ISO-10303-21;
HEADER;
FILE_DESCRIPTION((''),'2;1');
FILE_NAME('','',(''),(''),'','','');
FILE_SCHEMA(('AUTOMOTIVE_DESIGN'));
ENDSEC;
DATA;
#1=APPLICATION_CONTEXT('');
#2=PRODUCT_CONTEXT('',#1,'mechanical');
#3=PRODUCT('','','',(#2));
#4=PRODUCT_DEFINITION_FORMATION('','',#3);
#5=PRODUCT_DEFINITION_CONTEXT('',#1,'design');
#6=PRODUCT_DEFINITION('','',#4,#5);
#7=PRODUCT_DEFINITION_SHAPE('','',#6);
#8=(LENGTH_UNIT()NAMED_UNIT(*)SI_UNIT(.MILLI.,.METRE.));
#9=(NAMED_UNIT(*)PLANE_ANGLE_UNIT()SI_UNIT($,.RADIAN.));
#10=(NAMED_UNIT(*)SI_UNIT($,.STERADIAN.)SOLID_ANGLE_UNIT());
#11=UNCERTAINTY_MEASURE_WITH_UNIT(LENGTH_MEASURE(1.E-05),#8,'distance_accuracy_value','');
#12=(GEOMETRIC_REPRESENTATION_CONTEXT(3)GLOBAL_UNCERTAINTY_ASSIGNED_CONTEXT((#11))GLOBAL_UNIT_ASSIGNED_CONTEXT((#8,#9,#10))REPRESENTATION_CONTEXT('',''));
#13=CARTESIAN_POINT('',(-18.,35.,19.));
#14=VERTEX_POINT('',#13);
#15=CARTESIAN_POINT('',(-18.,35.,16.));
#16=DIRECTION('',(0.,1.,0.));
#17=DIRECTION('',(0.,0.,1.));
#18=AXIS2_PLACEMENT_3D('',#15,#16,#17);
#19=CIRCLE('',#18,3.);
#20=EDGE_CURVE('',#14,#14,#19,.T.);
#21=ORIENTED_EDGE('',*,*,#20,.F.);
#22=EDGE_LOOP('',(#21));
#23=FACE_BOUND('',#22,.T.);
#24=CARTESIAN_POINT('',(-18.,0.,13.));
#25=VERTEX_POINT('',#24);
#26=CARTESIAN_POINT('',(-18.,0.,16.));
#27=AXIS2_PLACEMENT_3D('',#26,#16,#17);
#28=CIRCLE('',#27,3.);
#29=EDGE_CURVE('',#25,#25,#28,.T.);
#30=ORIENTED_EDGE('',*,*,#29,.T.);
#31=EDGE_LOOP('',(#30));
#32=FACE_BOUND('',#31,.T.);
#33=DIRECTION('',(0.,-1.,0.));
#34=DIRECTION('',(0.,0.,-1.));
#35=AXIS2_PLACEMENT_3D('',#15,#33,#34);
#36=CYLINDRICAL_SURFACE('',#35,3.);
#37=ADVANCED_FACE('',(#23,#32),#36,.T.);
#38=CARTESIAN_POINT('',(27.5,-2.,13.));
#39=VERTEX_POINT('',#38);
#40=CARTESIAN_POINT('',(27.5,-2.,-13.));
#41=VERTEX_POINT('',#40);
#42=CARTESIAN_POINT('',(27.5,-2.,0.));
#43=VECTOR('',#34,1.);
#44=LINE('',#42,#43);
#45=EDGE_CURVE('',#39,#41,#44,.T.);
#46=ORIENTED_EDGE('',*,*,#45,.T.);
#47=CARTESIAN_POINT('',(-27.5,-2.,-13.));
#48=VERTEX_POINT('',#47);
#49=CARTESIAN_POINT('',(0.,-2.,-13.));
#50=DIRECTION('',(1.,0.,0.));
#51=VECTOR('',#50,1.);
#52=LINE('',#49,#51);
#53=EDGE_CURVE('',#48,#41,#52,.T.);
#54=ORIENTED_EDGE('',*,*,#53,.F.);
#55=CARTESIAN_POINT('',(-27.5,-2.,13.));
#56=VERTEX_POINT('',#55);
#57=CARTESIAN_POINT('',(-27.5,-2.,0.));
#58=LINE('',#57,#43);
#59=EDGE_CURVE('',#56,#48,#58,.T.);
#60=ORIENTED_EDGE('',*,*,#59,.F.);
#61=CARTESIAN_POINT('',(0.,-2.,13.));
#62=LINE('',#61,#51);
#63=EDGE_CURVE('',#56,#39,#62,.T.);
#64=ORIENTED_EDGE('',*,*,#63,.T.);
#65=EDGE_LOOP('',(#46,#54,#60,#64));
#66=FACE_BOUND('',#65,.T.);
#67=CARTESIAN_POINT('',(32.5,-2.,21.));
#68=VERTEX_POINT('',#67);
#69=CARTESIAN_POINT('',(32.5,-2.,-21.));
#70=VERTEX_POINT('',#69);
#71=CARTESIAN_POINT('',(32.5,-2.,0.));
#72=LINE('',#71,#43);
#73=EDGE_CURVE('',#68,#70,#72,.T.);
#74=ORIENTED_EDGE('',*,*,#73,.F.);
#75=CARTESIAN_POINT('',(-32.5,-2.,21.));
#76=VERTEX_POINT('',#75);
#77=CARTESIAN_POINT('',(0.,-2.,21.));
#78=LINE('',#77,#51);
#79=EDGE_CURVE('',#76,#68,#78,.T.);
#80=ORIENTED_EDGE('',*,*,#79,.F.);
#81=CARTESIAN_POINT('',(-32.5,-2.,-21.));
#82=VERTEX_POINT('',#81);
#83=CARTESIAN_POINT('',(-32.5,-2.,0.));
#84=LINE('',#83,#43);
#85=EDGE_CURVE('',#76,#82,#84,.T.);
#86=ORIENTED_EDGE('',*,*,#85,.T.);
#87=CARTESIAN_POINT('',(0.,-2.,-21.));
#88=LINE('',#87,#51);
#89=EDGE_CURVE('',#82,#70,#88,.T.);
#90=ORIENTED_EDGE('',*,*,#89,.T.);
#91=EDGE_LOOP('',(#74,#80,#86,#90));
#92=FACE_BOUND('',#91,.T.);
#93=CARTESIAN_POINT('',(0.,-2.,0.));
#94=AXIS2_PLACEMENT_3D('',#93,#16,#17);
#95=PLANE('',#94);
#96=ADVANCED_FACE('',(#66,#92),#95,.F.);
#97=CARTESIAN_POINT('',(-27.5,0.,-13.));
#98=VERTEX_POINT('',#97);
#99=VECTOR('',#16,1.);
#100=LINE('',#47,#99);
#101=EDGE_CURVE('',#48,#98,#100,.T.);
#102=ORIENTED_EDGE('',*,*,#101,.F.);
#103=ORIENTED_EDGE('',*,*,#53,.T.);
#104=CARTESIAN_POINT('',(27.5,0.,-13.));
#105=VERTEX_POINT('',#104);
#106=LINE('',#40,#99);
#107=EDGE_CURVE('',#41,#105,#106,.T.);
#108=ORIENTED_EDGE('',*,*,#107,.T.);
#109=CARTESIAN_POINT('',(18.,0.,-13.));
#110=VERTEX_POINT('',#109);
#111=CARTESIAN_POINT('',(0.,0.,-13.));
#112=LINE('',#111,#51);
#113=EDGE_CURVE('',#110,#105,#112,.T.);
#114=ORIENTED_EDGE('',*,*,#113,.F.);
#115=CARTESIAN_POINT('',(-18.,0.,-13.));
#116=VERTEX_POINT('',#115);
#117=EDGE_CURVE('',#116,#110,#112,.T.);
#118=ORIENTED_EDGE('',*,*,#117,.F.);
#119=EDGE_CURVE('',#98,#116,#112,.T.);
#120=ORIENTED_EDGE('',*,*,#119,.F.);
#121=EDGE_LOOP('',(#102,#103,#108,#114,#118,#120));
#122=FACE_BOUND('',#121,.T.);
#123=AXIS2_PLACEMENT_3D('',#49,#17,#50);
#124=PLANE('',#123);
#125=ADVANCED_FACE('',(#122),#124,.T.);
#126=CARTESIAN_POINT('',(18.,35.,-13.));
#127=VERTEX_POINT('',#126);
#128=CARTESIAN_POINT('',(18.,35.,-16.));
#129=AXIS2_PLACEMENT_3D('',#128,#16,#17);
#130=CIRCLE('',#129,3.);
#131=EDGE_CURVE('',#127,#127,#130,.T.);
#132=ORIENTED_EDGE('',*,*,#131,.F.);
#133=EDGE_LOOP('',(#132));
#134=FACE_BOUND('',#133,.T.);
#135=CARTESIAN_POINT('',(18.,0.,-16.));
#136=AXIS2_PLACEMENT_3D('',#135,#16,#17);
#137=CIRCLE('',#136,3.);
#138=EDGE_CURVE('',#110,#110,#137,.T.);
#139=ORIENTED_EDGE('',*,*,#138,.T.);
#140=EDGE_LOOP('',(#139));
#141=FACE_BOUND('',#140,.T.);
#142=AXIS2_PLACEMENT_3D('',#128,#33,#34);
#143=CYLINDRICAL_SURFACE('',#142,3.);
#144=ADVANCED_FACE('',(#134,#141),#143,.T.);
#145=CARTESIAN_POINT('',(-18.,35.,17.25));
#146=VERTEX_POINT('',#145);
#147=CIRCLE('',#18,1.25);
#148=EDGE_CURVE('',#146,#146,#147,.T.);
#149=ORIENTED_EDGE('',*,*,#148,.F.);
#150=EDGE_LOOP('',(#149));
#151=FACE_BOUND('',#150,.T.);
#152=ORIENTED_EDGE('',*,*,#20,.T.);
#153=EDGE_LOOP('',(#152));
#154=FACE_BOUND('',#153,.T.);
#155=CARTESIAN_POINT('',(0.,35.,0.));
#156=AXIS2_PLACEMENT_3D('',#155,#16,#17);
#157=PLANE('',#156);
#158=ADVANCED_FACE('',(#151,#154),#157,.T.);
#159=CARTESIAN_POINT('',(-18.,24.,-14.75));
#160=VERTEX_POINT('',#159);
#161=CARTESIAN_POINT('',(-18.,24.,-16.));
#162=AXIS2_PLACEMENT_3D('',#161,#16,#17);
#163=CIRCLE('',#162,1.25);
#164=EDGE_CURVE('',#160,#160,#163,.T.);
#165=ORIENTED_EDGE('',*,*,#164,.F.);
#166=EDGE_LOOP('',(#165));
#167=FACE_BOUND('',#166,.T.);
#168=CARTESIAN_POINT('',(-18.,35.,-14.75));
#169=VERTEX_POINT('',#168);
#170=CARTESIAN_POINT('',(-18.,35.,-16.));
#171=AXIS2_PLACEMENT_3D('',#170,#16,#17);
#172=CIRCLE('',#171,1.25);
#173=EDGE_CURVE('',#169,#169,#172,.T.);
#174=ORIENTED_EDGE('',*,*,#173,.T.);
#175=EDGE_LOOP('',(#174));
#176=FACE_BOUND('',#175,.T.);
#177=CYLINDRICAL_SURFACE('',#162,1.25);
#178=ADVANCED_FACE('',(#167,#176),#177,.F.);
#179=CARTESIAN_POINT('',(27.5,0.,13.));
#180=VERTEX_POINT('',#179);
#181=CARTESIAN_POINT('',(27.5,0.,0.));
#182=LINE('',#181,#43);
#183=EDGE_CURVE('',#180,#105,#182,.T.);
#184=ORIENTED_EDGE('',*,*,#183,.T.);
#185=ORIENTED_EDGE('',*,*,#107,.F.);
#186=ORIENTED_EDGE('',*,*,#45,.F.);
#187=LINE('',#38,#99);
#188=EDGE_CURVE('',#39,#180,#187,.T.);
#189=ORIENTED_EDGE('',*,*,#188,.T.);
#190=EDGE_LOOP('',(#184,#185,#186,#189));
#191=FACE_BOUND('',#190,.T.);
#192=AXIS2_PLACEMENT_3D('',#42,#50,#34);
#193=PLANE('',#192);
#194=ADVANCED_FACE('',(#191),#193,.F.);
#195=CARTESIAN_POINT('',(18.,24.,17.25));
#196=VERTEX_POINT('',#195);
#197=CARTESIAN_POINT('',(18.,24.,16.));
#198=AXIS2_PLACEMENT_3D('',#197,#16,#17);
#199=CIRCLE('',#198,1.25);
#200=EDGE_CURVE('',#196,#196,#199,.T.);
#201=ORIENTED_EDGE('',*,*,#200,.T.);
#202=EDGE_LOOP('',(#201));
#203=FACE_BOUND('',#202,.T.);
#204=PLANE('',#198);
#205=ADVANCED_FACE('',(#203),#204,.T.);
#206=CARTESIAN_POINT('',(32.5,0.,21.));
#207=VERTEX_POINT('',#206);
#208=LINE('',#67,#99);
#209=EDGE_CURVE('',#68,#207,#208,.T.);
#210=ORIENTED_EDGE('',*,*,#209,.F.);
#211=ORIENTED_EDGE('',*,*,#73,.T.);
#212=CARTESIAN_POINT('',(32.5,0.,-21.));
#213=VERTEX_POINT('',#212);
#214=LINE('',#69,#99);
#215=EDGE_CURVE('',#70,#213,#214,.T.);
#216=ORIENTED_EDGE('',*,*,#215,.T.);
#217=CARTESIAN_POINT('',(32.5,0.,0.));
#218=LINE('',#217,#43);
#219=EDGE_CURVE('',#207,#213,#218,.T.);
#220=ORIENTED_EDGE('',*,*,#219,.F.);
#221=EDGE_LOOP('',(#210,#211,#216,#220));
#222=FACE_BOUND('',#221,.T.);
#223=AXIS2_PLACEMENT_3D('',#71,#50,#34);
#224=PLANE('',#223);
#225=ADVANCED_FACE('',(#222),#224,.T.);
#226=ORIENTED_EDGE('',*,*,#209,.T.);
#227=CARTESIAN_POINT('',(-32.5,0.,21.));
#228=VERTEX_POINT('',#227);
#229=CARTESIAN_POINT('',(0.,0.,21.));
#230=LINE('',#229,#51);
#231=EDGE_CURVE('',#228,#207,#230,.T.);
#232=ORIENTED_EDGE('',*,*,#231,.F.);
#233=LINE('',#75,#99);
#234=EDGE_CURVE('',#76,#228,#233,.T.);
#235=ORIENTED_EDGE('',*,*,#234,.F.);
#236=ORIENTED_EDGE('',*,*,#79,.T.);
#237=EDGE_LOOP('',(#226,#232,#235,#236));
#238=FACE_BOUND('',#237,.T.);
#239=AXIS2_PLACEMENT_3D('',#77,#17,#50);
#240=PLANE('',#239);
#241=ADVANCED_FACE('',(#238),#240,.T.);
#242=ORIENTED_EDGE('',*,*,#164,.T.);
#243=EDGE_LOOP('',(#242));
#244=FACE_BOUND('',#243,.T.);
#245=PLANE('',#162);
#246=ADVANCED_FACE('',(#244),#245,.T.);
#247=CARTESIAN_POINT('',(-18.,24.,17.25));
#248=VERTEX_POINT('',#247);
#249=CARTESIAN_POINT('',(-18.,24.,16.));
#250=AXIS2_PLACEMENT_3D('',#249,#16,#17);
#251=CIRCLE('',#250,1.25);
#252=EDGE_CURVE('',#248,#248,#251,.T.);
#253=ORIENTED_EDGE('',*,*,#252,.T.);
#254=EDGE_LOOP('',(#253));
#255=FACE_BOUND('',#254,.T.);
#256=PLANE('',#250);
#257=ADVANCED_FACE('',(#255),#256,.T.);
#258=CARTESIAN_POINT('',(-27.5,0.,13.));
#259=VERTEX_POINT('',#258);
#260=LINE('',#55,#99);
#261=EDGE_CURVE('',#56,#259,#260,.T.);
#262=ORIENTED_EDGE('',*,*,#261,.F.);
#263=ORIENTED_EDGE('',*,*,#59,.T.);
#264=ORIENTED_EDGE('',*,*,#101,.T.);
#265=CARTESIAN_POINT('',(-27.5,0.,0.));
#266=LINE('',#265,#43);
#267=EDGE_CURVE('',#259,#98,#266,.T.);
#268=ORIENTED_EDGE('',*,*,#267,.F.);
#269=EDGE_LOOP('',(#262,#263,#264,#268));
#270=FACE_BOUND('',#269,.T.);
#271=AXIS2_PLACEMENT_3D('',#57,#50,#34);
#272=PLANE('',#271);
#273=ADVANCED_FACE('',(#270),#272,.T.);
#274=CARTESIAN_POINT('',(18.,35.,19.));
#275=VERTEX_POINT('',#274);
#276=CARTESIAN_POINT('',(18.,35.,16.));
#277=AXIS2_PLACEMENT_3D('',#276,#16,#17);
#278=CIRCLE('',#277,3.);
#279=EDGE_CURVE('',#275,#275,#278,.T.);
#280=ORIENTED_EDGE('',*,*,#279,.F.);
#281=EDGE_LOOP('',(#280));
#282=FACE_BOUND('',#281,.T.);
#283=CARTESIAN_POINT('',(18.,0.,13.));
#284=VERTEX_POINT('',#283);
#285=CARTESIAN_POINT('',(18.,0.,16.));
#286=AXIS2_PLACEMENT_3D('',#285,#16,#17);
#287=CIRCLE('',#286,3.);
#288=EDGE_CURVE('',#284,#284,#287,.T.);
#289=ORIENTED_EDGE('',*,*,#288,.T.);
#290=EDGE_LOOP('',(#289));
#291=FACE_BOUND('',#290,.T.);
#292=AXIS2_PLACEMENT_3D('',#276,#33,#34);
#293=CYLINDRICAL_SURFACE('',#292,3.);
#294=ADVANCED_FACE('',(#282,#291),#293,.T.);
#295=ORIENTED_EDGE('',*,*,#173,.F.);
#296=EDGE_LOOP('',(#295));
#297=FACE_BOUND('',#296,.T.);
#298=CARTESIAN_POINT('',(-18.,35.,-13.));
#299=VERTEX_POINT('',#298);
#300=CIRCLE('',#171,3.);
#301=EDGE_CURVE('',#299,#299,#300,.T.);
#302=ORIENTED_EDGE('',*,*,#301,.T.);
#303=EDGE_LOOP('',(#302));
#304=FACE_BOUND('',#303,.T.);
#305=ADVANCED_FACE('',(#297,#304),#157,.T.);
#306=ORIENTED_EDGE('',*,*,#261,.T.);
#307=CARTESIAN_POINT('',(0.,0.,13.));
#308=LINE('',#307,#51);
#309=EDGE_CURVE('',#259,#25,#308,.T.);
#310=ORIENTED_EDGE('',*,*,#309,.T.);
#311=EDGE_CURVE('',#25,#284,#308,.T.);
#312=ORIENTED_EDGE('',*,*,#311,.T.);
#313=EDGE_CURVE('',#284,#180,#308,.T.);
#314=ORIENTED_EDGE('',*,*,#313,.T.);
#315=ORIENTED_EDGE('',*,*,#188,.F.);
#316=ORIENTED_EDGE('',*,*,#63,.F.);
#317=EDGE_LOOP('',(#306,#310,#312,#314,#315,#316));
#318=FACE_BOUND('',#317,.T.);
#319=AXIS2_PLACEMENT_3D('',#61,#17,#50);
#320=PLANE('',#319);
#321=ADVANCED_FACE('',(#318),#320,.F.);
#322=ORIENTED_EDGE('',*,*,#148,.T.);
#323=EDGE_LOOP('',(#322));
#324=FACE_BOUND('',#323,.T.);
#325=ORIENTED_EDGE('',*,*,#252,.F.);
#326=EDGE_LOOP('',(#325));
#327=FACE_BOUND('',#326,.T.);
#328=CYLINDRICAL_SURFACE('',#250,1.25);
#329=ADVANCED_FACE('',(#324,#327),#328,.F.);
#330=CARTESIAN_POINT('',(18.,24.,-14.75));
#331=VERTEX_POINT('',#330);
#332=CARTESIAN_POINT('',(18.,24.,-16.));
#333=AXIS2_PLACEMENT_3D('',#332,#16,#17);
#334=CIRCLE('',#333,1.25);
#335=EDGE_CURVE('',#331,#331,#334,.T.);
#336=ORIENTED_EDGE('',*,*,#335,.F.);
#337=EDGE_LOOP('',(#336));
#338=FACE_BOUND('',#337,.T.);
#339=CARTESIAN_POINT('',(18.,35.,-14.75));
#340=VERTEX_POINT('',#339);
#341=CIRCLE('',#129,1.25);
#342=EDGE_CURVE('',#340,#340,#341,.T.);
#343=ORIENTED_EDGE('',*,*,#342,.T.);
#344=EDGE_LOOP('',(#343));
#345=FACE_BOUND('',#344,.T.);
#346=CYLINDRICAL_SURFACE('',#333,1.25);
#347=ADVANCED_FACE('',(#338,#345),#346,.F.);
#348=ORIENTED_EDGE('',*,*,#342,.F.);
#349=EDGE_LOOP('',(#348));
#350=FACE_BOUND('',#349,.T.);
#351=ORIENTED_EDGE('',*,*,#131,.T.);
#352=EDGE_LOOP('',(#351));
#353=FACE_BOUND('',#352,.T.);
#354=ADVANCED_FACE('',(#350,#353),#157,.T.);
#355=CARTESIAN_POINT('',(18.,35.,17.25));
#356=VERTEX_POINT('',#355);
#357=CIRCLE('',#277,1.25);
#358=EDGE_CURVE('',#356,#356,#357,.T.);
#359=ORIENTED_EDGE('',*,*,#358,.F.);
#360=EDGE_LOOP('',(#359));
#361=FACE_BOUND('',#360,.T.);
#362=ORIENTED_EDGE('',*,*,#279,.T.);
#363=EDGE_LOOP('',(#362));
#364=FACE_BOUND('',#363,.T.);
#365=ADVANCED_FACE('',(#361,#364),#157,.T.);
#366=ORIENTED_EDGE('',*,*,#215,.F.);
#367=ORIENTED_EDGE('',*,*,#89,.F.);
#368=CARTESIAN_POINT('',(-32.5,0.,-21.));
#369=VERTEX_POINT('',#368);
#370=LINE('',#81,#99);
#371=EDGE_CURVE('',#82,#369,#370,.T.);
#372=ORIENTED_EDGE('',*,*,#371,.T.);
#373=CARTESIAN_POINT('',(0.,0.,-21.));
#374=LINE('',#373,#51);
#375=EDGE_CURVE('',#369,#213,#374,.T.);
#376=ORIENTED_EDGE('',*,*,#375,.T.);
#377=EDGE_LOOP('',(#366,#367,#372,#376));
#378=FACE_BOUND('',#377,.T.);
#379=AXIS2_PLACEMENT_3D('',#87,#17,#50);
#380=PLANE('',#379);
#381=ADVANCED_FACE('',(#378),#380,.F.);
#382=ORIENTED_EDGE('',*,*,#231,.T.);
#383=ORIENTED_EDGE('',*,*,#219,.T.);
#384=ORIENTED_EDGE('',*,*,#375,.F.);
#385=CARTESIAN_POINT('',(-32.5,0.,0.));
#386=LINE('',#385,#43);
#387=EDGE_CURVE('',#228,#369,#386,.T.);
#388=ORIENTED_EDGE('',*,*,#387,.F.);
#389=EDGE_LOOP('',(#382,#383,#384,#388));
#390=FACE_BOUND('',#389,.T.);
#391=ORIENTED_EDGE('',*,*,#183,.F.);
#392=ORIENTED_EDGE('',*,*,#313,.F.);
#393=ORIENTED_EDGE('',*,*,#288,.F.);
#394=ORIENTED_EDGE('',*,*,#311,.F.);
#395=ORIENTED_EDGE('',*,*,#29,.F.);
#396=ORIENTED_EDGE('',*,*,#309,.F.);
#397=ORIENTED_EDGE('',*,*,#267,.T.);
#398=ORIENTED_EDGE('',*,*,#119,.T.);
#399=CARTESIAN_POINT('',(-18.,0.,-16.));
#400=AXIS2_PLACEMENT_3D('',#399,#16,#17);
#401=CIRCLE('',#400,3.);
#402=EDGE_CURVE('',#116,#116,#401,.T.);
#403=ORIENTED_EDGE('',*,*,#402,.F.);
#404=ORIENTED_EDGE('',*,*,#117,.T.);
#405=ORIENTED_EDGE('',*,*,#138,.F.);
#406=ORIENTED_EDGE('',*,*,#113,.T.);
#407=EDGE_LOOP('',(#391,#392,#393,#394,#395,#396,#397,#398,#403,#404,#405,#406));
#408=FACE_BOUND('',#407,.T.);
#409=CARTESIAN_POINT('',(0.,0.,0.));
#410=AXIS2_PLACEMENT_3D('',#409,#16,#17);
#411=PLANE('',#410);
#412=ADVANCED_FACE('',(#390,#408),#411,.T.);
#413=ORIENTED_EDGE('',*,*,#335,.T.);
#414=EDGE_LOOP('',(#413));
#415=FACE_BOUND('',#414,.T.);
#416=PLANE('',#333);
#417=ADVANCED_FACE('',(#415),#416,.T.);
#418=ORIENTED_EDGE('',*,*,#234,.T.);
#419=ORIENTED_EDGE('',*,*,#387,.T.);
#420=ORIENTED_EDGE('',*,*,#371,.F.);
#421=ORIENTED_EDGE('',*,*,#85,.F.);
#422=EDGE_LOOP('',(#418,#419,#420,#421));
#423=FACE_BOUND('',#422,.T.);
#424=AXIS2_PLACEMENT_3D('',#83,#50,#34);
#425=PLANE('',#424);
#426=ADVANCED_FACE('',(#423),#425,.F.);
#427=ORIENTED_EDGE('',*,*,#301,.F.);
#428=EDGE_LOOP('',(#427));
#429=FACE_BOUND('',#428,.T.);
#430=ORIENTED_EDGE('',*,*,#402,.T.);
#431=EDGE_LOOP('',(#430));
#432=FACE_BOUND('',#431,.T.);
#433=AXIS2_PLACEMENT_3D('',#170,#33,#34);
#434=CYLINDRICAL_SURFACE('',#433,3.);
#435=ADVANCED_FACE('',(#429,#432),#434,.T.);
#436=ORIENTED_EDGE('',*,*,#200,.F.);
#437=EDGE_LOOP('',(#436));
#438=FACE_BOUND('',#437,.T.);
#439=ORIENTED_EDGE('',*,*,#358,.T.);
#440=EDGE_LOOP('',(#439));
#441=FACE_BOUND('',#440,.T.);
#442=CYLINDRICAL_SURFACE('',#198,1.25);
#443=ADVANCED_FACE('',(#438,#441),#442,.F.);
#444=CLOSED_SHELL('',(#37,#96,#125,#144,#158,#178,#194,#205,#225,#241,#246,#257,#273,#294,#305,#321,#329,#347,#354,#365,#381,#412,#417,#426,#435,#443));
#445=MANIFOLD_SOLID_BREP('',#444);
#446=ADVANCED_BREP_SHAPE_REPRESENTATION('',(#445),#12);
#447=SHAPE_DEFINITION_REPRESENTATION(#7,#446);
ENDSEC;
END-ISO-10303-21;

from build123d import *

# Parameters (mm, degrees)
SKETCH1_W           = 65
SKETCH1_H           = 42
SKETCH1_W_2         = 55
SKETCH1_H_2         = 26
BOSS_EXTRUDE2_DEPTH = 2
SKETCH1_3_R         = 3
SKETCH1_3_R_2       = 1.25
BOSS_EXTRUDE3_DEPTH = 35
CUT_EXTRUDE1_START  = 35
SKETCH1_4_R         = 1.25
CUT_EXTRUDE1_DEPTH  = 11


with BuildPart() as part:
    # Sketch1 → Boss-Extrude2 (new body)
    with BuildSketch(Plane(origin=(0, 0, 0), x_dir=(1, 0, 0), z_dir=(0, 1, 0))):
        Rectangle(SKETCH1_W, SKETCH1_H)
        Rectangle(SKETCH1_W_2, SKETCH1_H_2, mode=Mode.SUBTRACT)
    extrude(amount=-BOSS_EXTRUDE2_DEPTH)

    # Sketch1<3> → Boss-Extrude3 (add)
    with BuildSketch(Plane(origin=(0, 0, 0), x_dir=(1, 0, 0), z_dir=(0, 1, 0))):
        with Locations(Location((-18, 16, 0), (0, 0, 270))):
            Circle(SKETCH1_3_R)
        with Locations((-18, 16)):
            Circle(SKETCH1_3_R_2, mode=Mode.SUBTRACT)
        with Locations((-18, 16)):
            Circle(SKETCH1_3_R_2)
        with Locations(Location((18, 16, 0), (0, 0, 270))):
            Circle(SKETCH1_3_R)
        with Locations((18, 16)):
            Circle(SKETCH1_3_R_2, mode=Mode.SUBTRACT)
        with Locations((18, 16)):
            Circle(SKETCH1_3_R_2)
        with Locations(Location((18, -16, 0), (0, 0, 90))):
            Circle(SKETCH1_3_R)
        with Locations((18, -16)):
            Circle(SKETCH1_3_R_2, mode=Mode.SUBTRACT)
        with Locations(Location((-18, -16, 0), (0, 0, 90))):
            Circle(SKETCH1_3_R)
        with Locations((-18, -16)):
            Circle(SKETCH1_3_R_2, mode=Mode.SUBTRACT)
        with Locations((-18, -16)):
            Circle(SKETCH1_3_R_2)
        with Locations((18, -16)):
            Circle(SKETCH1_3_R_2)
    extrude(amount=BOSS_EXTRUDE3_DEPTH)

    # Sketch1<4> → Cut-Extrude1 (cut)
    with BuildSketch(Plane(origin=(0, 0, 0), x_dir=(1, 0, 0), z_dir=(0, 1, 0)).offset(CUT_EXTRUDE1_START)):
        with Locations(Location((-18, 16, 0), (0, 0, 270))):
            Circle(SKETCH1_4_R)
        with Locations(Location((18, 16, 0), (0, 0, 270))):
            Circle(SKETCH1_4_R)
        with Locations(Location((18, -16, 0), (0, 0, 270))):
            Circle(SKETCH1_4_R)
        with Locations(Location((-18, -16, 0), (0, 0, 270))):
            Circle(SKETCH1_4_R)
    extrude(amount=-CUT_EXTRUDE1_DEPTH, mode=Mode.SUBTRACT)


solid = part.part
